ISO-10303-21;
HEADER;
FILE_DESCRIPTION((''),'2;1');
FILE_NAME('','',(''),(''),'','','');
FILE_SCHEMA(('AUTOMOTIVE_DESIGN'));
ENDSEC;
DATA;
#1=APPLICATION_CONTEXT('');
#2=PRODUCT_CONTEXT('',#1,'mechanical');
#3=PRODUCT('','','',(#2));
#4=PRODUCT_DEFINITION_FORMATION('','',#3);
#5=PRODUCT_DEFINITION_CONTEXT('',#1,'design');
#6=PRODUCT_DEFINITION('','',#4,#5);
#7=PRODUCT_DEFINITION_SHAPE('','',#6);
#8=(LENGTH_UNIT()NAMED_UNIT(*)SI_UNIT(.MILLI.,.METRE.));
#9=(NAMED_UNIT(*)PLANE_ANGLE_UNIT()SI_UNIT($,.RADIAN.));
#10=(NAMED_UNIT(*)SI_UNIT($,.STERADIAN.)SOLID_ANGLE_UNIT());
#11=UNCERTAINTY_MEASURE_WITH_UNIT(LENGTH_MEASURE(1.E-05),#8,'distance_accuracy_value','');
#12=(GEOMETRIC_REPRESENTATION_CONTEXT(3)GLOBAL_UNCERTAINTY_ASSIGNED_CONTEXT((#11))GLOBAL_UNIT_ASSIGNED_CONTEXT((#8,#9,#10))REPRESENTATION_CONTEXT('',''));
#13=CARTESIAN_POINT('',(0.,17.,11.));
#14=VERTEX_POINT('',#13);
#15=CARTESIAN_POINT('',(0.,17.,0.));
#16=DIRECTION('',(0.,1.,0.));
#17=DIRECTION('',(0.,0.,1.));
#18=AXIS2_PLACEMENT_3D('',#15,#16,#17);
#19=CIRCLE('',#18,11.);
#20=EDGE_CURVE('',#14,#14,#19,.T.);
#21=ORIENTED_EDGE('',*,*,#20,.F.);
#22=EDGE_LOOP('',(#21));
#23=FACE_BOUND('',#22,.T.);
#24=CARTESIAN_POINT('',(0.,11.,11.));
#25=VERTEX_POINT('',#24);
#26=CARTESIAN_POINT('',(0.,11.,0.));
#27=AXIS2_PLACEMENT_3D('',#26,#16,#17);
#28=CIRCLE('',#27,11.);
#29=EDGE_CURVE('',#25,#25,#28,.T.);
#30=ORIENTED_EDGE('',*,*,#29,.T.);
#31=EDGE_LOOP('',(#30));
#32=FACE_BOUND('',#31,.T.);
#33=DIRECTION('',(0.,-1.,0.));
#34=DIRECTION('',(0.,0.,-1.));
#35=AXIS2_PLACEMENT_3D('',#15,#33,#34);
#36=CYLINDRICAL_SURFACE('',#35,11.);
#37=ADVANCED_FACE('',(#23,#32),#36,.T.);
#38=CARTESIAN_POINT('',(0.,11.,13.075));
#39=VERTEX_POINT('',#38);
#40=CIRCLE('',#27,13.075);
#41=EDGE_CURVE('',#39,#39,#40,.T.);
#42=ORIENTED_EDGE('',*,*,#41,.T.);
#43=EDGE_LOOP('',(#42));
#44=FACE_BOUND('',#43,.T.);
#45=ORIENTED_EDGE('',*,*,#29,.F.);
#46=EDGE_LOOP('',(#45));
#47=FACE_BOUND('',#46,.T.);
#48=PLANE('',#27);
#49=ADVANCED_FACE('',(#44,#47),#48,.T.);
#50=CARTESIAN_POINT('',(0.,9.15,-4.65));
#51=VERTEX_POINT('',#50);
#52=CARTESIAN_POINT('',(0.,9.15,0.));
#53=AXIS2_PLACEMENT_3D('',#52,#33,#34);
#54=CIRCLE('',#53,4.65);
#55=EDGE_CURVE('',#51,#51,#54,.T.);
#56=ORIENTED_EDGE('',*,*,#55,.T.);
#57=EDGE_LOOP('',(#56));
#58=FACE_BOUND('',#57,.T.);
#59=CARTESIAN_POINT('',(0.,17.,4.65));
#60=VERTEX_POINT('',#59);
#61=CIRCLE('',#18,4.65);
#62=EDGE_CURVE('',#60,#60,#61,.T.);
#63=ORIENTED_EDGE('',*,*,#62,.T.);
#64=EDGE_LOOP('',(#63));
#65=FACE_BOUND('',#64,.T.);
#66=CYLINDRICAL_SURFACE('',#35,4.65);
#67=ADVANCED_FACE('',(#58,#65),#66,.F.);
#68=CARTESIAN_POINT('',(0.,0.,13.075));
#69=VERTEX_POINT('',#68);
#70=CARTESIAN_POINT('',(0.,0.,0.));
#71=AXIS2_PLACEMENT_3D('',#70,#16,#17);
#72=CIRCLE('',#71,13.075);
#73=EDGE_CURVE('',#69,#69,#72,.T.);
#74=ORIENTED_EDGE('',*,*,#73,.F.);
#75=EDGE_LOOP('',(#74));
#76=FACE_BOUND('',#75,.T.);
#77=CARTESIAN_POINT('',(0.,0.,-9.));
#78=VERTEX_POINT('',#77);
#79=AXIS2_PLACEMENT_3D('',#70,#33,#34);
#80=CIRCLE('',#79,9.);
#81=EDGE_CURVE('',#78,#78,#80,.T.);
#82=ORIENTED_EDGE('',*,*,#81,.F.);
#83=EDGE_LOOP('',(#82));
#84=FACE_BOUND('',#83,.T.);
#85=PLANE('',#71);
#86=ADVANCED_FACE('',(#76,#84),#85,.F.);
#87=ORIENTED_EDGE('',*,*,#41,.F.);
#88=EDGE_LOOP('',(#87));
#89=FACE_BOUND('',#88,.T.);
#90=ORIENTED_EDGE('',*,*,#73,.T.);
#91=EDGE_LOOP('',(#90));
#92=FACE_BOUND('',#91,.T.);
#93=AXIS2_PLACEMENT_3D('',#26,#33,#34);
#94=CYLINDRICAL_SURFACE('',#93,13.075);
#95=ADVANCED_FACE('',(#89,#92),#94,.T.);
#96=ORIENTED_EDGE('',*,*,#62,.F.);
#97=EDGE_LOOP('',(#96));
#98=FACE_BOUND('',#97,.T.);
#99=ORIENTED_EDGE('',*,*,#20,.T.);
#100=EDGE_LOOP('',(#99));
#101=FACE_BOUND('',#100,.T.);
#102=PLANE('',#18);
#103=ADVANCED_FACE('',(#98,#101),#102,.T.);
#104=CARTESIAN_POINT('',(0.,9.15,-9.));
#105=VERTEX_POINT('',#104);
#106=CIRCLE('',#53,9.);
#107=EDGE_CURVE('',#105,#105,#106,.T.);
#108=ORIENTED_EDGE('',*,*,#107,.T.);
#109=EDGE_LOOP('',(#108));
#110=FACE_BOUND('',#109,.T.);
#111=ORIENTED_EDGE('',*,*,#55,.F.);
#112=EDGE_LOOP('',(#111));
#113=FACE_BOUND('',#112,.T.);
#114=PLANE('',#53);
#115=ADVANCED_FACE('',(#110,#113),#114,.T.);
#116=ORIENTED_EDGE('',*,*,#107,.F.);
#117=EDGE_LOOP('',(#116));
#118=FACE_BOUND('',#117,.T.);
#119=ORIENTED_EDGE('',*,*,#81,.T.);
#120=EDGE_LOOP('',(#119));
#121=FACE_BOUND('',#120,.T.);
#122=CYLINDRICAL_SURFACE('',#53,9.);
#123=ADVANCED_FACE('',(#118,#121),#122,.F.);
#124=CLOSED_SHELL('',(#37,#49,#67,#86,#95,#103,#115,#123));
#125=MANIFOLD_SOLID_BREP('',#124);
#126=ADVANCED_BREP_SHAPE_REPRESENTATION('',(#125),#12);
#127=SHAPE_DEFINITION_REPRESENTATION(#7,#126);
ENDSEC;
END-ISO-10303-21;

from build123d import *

# Parameters (mm, degrees)
SKETCH1_R           = 11
SKETCH1_R_2         = 4.65
BOSS_EXTRUDE1_DEPTH = 17
SKETCH1_5_R         = 13.075
SKETCH1_5_R_2       = 11
BOSS_EXTRUDE2_DEPTH = 11
SKETCH2_R           = 9
CUT_EXTRUDE1_DEPTH  = 9.15


with BuildPart() as part:
    # Sketch1 → Boss-Extrude1 (new body)
    with BuildSketch(Plane(origin=(0, 0, 0), x_dir=(1, 0, 0), z_dir=(0, 1, 0))):
        Circle(SKETCH1_R)
        Circle(SKETCH1_R_2, mode=Mode.SUBTRACT)
    extrude(amount=BOSS_EXTRUDE1_DEPTH)

    # Sketch1<5> → Boss-Extrude2 (add)
    with BuildSketch(Plane(origin=(0, 0, 0), x_dir=(1, 0, 0), z_dir=(0, 1, 0))):
        Circle(SKETCH1_5_R)
        Circle(SKETCH1_5_R_2, mode=Mode.SUBTRACT)
    extrude(amount=BOSS_EXTRUDE2_DEPTH)

    # Sketch2 → Cut-Extrude1 (cut)
    with BuildSketch(Plane.XZ):
        Circle(SKETCH2_R)
    extrude(amount=-CUT_EXTRUDE1_DEPTH, mode=Mode.SUBTRACT)


solid = part.part
